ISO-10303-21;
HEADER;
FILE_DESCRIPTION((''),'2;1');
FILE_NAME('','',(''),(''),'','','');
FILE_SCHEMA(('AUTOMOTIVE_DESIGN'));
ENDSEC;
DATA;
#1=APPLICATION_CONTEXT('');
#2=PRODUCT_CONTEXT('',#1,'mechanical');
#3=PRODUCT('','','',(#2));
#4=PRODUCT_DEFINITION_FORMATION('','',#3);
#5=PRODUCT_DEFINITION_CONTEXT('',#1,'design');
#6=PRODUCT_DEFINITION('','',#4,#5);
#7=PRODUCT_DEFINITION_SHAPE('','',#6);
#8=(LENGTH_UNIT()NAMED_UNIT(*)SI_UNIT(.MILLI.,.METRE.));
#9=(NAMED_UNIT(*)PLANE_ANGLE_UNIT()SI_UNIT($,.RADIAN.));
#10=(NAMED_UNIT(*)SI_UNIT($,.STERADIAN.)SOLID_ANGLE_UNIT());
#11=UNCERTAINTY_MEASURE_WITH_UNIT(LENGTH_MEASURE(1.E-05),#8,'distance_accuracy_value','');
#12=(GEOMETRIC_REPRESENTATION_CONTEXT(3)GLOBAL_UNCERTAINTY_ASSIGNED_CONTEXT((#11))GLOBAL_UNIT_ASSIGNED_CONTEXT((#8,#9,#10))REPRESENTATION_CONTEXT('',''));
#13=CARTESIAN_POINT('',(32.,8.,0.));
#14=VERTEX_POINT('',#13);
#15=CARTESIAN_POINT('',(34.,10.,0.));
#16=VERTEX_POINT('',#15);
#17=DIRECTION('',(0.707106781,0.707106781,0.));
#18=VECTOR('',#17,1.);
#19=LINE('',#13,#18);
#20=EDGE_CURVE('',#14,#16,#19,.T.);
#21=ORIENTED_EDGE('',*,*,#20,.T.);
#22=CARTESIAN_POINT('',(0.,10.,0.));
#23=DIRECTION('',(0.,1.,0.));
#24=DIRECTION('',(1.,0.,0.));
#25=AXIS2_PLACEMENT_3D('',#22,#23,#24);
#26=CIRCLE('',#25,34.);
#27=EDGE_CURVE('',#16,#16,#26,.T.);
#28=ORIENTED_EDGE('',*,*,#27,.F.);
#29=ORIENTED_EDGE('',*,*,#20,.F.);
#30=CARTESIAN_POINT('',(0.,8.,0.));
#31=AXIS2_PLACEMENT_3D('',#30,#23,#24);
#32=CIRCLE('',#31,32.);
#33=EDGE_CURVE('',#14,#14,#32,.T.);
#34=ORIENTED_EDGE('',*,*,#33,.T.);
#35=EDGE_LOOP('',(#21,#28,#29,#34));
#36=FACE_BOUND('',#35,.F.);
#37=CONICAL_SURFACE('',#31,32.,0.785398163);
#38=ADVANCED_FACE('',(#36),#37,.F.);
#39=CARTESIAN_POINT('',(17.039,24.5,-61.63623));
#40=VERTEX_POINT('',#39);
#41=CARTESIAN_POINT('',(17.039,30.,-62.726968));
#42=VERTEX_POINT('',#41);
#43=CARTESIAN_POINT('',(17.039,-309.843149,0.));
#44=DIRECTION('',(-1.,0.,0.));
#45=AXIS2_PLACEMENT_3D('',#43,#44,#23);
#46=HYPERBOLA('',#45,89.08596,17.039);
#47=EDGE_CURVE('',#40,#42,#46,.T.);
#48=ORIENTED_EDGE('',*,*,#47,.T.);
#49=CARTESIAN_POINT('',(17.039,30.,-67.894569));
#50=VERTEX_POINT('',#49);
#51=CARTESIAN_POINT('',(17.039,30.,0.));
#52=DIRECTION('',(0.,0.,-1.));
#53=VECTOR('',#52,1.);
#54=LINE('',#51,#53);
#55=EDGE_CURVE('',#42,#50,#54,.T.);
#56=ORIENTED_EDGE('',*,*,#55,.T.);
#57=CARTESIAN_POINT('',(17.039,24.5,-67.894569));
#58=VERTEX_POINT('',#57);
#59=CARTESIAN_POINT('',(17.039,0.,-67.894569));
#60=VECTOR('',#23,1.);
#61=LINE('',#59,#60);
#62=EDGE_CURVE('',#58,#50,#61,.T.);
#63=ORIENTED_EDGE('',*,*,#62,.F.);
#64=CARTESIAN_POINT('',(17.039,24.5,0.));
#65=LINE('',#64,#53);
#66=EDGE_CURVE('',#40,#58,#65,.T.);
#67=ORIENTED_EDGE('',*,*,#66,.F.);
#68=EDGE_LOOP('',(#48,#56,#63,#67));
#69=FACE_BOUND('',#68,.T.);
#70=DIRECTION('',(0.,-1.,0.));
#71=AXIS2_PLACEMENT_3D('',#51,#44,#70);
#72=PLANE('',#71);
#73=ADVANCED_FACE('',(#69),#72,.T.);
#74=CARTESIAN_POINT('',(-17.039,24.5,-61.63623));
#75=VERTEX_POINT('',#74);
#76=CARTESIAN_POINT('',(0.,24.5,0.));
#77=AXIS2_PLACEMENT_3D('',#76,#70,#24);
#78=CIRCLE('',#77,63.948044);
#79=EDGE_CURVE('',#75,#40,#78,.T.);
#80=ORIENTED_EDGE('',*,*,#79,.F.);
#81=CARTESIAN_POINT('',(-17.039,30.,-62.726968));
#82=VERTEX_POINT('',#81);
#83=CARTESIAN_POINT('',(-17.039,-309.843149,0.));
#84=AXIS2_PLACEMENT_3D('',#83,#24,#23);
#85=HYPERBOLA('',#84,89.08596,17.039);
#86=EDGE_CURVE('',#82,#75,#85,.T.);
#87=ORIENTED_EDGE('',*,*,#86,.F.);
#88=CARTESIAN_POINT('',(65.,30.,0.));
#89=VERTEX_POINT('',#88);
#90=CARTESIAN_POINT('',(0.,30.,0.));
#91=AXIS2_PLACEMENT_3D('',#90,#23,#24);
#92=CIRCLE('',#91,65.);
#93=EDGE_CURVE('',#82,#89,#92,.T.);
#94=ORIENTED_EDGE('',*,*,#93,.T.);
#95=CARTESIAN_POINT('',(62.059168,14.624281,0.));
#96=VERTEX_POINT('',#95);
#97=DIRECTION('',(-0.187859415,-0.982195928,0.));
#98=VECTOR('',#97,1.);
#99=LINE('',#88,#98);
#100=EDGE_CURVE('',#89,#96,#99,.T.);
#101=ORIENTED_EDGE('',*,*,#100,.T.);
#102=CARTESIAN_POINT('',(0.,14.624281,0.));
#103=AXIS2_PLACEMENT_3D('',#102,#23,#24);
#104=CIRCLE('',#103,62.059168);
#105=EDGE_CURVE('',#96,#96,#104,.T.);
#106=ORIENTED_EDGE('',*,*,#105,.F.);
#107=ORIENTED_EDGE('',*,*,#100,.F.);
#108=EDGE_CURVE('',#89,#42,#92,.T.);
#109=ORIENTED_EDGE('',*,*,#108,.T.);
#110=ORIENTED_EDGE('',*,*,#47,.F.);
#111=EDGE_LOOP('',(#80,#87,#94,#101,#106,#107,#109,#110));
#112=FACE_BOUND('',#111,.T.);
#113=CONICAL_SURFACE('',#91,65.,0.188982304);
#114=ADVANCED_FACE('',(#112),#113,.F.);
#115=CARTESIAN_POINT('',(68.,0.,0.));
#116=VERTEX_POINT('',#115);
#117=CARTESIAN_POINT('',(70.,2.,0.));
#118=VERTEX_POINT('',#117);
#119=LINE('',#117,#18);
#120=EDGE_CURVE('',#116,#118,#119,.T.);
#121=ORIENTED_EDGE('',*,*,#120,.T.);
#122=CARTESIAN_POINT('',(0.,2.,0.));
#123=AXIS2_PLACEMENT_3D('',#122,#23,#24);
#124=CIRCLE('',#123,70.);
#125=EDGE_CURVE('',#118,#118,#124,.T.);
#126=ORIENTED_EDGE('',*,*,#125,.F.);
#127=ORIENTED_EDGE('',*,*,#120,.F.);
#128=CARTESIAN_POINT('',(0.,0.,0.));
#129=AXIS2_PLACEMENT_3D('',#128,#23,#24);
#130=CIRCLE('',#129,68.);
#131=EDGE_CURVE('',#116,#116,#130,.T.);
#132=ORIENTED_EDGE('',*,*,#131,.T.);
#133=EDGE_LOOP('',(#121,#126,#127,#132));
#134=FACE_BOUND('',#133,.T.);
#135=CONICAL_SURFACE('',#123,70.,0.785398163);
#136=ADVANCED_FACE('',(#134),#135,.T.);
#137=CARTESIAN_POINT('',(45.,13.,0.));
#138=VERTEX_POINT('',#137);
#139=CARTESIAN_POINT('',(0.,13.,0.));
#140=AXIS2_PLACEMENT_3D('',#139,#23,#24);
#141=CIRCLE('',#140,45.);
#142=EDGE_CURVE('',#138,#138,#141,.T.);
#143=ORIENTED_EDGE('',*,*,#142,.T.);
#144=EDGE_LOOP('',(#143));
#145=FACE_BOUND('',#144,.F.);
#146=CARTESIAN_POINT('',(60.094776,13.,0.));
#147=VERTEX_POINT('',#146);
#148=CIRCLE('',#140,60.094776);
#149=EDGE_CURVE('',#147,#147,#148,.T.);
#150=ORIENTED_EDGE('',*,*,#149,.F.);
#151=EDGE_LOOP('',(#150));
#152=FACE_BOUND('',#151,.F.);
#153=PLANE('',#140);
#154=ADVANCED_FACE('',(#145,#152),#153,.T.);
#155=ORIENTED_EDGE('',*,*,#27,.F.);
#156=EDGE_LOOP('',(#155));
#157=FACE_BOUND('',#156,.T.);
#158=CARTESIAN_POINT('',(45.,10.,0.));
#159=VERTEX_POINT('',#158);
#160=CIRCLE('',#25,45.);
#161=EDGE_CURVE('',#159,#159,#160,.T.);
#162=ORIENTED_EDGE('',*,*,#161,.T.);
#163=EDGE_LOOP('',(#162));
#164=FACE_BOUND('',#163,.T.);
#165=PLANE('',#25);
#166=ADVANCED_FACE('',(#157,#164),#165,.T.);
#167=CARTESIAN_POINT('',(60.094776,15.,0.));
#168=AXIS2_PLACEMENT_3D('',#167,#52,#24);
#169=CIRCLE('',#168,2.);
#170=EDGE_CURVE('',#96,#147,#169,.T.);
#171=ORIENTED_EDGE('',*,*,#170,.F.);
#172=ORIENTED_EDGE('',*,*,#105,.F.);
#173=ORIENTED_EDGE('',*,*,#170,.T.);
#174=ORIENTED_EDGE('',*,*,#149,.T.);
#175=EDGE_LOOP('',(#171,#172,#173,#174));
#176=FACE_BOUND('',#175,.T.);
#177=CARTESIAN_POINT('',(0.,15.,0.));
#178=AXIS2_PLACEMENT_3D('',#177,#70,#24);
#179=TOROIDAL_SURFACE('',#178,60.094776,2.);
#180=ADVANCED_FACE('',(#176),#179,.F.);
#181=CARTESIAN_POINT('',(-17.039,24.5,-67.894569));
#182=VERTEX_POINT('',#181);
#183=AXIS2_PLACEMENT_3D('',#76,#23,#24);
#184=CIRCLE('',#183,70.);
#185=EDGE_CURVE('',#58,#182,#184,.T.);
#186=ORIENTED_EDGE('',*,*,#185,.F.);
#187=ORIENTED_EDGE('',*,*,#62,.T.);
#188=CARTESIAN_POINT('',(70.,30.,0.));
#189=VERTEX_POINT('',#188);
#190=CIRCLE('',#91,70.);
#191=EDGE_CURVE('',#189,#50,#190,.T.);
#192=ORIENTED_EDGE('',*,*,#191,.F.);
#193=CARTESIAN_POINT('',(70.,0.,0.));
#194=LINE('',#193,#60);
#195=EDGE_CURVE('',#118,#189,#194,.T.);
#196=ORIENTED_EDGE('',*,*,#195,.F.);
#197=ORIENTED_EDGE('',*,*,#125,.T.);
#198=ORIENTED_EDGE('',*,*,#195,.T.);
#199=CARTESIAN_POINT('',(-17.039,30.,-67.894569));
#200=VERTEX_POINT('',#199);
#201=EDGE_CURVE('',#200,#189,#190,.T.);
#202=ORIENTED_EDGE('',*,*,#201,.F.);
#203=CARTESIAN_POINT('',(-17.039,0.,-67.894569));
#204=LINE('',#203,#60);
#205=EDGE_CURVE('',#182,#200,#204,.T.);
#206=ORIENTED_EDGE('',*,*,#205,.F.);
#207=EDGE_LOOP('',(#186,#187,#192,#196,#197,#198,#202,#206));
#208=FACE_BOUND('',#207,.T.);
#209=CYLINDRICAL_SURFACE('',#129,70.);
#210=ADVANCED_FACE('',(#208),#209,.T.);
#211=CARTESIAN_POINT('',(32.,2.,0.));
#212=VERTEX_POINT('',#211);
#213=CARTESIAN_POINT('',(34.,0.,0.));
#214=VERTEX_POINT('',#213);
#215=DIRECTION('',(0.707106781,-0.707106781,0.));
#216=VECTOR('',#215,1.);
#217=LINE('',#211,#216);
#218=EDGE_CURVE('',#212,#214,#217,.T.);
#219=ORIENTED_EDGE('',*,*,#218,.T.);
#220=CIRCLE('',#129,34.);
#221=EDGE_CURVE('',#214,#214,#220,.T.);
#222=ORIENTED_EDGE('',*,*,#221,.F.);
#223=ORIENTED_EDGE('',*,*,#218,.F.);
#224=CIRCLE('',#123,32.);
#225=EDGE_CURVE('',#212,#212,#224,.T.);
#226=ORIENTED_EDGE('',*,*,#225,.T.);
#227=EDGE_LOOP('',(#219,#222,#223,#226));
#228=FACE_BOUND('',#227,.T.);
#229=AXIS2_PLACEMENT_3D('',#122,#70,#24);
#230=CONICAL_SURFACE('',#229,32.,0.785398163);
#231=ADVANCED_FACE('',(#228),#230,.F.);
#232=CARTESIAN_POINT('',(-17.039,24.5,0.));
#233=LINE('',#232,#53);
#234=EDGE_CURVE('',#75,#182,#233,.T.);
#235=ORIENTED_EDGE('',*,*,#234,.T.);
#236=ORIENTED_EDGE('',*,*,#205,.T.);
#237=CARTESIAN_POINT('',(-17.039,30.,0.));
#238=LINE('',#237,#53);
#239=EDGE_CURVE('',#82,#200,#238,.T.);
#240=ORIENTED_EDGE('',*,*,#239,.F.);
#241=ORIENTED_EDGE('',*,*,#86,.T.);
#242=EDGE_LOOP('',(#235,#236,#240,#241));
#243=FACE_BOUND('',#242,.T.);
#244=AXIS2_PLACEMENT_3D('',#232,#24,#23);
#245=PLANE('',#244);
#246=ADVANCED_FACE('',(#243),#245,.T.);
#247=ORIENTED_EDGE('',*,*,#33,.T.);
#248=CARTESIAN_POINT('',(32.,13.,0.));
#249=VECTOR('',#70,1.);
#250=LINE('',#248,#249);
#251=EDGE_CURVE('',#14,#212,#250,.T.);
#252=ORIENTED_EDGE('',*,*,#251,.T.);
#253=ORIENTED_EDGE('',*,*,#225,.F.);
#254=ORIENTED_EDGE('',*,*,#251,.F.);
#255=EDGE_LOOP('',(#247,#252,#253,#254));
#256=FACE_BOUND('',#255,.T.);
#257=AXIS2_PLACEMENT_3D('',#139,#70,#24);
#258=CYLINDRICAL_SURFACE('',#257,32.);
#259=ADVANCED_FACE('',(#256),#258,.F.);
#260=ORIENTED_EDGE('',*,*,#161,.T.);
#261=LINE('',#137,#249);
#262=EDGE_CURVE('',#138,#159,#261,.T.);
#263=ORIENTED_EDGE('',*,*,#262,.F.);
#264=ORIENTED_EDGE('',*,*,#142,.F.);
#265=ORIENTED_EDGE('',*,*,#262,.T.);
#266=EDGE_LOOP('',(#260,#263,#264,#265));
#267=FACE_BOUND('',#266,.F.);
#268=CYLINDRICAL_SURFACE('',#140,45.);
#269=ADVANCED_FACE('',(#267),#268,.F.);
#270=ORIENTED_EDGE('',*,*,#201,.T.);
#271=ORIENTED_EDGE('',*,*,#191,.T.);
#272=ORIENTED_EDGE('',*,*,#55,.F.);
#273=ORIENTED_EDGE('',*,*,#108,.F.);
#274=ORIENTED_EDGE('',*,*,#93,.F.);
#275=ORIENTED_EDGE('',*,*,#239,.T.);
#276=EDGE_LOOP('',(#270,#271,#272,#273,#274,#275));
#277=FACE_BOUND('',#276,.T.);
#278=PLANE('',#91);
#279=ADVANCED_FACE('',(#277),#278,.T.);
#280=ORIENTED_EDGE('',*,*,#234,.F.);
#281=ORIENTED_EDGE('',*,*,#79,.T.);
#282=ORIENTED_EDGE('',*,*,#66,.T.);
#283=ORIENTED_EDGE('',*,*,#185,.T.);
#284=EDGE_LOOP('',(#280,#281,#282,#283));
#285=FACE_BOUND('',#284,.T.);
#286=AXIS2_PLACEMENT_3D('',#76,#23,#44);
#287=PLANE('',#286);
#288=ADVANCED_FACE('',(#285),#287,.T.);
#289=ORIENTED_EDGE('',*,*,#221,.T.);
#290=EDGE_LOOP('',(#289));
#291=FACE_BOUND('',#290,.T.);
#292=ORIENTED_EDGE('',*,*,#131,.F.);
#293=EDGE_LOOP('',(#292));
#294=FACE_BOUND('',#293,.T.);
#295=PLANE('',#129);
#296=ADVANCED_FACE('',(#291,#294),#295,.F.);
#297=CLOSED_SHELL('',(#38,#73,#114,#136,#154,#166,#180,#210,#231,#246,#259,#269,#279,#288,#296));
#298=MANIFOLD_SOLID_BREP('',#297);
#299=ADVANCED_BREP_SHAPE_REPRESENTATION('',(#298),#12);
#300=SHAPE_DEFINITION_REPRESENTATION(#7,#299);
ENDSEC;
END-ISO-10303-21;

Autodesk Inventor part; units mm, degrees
ref_plane "YZ Plane" through (0, 0, 0) normal (1, 0, 0) x (0, 1, 0)
ref_plane "XZ Plane" through (0, 0, 0) normal (0, 1, 0) x (-1, 0, 0)
ref_plane "XY Plane" through (0, 0, 0) normal (0, 0, 1) x (1, 0, 0)
sketch "Эскиз1" plane through (0, 0, 0) normal (0, 0, 1) x (1, 0, 0)
  line L0 (0, 0) -> (70, 0)
  line L1 (70, 0) -> (70, 30)
  line L2 (70, 30) -> (65, 30)
  line L3 (32, 13) -> (32, 0)
  line L4 (65, 30) -> (61.7485, 13)
  line L5 (0, -6) -> (0, 36) projected
  line L6 (32, 13) -> (61.7485, 13)
  dimension "d0" = 70
  dimension "d1" = 30
  dimension "d2" = 5
  dimension "d16" = 32
revolve "Вращение1" add sketch "Эскиз1" angle 360 about axis through (0, -10, 0) along (0, 1, 0)
sketch "Эскиз2" plane through (0, 13, 0) normal (0, 1, 0) x (1, 0, 0)
  circle A0 centre (0, 0) radius 45
  circle A1 centre (0, 0) radius 32 projected
  dimension "d6" = 90
extrude "Выдавливание1" cut sketch "Эскиз2" against normal blind 3
chamfer "Фаска1" distance 2 angle 45 2 edges at (-32, 10, 0) (-32, 0, 0)
chamfer "Фаска2" distance 2 angle 45 1 edges at (-70, 0, 0)
fillet "Сопряжение1" radius 2 1 edges at (-61.7485, 13, 0)
sketch "Эскиз3" plane through (0, 0, 0) normal (0, 0, 1) x (1, 0, 0)
  line L0 (0, 0) -> (0, -10)
  line L1 (-17.039, 24.5) -> (-17.039, 30)
  line L2 (17.039, 24.5) -> (-17.039, 24.5)
  line L3 (0, -18.3) -> (0, 39.8) projected
  line L4 (0, 30) -> (17.039, 30)
  line L5 (-70, 30) -> (70, 30) projected
  line L6 (17.039, 30) -> (17.039, 24.5)
  line L7 (0, 30) -> (-17.039, 30)
extrude "Выдавливание2" cut sketch "Эскиз3" against normal through all
properties part number "Корпус маслосъемника" material "Чугун, серый"
